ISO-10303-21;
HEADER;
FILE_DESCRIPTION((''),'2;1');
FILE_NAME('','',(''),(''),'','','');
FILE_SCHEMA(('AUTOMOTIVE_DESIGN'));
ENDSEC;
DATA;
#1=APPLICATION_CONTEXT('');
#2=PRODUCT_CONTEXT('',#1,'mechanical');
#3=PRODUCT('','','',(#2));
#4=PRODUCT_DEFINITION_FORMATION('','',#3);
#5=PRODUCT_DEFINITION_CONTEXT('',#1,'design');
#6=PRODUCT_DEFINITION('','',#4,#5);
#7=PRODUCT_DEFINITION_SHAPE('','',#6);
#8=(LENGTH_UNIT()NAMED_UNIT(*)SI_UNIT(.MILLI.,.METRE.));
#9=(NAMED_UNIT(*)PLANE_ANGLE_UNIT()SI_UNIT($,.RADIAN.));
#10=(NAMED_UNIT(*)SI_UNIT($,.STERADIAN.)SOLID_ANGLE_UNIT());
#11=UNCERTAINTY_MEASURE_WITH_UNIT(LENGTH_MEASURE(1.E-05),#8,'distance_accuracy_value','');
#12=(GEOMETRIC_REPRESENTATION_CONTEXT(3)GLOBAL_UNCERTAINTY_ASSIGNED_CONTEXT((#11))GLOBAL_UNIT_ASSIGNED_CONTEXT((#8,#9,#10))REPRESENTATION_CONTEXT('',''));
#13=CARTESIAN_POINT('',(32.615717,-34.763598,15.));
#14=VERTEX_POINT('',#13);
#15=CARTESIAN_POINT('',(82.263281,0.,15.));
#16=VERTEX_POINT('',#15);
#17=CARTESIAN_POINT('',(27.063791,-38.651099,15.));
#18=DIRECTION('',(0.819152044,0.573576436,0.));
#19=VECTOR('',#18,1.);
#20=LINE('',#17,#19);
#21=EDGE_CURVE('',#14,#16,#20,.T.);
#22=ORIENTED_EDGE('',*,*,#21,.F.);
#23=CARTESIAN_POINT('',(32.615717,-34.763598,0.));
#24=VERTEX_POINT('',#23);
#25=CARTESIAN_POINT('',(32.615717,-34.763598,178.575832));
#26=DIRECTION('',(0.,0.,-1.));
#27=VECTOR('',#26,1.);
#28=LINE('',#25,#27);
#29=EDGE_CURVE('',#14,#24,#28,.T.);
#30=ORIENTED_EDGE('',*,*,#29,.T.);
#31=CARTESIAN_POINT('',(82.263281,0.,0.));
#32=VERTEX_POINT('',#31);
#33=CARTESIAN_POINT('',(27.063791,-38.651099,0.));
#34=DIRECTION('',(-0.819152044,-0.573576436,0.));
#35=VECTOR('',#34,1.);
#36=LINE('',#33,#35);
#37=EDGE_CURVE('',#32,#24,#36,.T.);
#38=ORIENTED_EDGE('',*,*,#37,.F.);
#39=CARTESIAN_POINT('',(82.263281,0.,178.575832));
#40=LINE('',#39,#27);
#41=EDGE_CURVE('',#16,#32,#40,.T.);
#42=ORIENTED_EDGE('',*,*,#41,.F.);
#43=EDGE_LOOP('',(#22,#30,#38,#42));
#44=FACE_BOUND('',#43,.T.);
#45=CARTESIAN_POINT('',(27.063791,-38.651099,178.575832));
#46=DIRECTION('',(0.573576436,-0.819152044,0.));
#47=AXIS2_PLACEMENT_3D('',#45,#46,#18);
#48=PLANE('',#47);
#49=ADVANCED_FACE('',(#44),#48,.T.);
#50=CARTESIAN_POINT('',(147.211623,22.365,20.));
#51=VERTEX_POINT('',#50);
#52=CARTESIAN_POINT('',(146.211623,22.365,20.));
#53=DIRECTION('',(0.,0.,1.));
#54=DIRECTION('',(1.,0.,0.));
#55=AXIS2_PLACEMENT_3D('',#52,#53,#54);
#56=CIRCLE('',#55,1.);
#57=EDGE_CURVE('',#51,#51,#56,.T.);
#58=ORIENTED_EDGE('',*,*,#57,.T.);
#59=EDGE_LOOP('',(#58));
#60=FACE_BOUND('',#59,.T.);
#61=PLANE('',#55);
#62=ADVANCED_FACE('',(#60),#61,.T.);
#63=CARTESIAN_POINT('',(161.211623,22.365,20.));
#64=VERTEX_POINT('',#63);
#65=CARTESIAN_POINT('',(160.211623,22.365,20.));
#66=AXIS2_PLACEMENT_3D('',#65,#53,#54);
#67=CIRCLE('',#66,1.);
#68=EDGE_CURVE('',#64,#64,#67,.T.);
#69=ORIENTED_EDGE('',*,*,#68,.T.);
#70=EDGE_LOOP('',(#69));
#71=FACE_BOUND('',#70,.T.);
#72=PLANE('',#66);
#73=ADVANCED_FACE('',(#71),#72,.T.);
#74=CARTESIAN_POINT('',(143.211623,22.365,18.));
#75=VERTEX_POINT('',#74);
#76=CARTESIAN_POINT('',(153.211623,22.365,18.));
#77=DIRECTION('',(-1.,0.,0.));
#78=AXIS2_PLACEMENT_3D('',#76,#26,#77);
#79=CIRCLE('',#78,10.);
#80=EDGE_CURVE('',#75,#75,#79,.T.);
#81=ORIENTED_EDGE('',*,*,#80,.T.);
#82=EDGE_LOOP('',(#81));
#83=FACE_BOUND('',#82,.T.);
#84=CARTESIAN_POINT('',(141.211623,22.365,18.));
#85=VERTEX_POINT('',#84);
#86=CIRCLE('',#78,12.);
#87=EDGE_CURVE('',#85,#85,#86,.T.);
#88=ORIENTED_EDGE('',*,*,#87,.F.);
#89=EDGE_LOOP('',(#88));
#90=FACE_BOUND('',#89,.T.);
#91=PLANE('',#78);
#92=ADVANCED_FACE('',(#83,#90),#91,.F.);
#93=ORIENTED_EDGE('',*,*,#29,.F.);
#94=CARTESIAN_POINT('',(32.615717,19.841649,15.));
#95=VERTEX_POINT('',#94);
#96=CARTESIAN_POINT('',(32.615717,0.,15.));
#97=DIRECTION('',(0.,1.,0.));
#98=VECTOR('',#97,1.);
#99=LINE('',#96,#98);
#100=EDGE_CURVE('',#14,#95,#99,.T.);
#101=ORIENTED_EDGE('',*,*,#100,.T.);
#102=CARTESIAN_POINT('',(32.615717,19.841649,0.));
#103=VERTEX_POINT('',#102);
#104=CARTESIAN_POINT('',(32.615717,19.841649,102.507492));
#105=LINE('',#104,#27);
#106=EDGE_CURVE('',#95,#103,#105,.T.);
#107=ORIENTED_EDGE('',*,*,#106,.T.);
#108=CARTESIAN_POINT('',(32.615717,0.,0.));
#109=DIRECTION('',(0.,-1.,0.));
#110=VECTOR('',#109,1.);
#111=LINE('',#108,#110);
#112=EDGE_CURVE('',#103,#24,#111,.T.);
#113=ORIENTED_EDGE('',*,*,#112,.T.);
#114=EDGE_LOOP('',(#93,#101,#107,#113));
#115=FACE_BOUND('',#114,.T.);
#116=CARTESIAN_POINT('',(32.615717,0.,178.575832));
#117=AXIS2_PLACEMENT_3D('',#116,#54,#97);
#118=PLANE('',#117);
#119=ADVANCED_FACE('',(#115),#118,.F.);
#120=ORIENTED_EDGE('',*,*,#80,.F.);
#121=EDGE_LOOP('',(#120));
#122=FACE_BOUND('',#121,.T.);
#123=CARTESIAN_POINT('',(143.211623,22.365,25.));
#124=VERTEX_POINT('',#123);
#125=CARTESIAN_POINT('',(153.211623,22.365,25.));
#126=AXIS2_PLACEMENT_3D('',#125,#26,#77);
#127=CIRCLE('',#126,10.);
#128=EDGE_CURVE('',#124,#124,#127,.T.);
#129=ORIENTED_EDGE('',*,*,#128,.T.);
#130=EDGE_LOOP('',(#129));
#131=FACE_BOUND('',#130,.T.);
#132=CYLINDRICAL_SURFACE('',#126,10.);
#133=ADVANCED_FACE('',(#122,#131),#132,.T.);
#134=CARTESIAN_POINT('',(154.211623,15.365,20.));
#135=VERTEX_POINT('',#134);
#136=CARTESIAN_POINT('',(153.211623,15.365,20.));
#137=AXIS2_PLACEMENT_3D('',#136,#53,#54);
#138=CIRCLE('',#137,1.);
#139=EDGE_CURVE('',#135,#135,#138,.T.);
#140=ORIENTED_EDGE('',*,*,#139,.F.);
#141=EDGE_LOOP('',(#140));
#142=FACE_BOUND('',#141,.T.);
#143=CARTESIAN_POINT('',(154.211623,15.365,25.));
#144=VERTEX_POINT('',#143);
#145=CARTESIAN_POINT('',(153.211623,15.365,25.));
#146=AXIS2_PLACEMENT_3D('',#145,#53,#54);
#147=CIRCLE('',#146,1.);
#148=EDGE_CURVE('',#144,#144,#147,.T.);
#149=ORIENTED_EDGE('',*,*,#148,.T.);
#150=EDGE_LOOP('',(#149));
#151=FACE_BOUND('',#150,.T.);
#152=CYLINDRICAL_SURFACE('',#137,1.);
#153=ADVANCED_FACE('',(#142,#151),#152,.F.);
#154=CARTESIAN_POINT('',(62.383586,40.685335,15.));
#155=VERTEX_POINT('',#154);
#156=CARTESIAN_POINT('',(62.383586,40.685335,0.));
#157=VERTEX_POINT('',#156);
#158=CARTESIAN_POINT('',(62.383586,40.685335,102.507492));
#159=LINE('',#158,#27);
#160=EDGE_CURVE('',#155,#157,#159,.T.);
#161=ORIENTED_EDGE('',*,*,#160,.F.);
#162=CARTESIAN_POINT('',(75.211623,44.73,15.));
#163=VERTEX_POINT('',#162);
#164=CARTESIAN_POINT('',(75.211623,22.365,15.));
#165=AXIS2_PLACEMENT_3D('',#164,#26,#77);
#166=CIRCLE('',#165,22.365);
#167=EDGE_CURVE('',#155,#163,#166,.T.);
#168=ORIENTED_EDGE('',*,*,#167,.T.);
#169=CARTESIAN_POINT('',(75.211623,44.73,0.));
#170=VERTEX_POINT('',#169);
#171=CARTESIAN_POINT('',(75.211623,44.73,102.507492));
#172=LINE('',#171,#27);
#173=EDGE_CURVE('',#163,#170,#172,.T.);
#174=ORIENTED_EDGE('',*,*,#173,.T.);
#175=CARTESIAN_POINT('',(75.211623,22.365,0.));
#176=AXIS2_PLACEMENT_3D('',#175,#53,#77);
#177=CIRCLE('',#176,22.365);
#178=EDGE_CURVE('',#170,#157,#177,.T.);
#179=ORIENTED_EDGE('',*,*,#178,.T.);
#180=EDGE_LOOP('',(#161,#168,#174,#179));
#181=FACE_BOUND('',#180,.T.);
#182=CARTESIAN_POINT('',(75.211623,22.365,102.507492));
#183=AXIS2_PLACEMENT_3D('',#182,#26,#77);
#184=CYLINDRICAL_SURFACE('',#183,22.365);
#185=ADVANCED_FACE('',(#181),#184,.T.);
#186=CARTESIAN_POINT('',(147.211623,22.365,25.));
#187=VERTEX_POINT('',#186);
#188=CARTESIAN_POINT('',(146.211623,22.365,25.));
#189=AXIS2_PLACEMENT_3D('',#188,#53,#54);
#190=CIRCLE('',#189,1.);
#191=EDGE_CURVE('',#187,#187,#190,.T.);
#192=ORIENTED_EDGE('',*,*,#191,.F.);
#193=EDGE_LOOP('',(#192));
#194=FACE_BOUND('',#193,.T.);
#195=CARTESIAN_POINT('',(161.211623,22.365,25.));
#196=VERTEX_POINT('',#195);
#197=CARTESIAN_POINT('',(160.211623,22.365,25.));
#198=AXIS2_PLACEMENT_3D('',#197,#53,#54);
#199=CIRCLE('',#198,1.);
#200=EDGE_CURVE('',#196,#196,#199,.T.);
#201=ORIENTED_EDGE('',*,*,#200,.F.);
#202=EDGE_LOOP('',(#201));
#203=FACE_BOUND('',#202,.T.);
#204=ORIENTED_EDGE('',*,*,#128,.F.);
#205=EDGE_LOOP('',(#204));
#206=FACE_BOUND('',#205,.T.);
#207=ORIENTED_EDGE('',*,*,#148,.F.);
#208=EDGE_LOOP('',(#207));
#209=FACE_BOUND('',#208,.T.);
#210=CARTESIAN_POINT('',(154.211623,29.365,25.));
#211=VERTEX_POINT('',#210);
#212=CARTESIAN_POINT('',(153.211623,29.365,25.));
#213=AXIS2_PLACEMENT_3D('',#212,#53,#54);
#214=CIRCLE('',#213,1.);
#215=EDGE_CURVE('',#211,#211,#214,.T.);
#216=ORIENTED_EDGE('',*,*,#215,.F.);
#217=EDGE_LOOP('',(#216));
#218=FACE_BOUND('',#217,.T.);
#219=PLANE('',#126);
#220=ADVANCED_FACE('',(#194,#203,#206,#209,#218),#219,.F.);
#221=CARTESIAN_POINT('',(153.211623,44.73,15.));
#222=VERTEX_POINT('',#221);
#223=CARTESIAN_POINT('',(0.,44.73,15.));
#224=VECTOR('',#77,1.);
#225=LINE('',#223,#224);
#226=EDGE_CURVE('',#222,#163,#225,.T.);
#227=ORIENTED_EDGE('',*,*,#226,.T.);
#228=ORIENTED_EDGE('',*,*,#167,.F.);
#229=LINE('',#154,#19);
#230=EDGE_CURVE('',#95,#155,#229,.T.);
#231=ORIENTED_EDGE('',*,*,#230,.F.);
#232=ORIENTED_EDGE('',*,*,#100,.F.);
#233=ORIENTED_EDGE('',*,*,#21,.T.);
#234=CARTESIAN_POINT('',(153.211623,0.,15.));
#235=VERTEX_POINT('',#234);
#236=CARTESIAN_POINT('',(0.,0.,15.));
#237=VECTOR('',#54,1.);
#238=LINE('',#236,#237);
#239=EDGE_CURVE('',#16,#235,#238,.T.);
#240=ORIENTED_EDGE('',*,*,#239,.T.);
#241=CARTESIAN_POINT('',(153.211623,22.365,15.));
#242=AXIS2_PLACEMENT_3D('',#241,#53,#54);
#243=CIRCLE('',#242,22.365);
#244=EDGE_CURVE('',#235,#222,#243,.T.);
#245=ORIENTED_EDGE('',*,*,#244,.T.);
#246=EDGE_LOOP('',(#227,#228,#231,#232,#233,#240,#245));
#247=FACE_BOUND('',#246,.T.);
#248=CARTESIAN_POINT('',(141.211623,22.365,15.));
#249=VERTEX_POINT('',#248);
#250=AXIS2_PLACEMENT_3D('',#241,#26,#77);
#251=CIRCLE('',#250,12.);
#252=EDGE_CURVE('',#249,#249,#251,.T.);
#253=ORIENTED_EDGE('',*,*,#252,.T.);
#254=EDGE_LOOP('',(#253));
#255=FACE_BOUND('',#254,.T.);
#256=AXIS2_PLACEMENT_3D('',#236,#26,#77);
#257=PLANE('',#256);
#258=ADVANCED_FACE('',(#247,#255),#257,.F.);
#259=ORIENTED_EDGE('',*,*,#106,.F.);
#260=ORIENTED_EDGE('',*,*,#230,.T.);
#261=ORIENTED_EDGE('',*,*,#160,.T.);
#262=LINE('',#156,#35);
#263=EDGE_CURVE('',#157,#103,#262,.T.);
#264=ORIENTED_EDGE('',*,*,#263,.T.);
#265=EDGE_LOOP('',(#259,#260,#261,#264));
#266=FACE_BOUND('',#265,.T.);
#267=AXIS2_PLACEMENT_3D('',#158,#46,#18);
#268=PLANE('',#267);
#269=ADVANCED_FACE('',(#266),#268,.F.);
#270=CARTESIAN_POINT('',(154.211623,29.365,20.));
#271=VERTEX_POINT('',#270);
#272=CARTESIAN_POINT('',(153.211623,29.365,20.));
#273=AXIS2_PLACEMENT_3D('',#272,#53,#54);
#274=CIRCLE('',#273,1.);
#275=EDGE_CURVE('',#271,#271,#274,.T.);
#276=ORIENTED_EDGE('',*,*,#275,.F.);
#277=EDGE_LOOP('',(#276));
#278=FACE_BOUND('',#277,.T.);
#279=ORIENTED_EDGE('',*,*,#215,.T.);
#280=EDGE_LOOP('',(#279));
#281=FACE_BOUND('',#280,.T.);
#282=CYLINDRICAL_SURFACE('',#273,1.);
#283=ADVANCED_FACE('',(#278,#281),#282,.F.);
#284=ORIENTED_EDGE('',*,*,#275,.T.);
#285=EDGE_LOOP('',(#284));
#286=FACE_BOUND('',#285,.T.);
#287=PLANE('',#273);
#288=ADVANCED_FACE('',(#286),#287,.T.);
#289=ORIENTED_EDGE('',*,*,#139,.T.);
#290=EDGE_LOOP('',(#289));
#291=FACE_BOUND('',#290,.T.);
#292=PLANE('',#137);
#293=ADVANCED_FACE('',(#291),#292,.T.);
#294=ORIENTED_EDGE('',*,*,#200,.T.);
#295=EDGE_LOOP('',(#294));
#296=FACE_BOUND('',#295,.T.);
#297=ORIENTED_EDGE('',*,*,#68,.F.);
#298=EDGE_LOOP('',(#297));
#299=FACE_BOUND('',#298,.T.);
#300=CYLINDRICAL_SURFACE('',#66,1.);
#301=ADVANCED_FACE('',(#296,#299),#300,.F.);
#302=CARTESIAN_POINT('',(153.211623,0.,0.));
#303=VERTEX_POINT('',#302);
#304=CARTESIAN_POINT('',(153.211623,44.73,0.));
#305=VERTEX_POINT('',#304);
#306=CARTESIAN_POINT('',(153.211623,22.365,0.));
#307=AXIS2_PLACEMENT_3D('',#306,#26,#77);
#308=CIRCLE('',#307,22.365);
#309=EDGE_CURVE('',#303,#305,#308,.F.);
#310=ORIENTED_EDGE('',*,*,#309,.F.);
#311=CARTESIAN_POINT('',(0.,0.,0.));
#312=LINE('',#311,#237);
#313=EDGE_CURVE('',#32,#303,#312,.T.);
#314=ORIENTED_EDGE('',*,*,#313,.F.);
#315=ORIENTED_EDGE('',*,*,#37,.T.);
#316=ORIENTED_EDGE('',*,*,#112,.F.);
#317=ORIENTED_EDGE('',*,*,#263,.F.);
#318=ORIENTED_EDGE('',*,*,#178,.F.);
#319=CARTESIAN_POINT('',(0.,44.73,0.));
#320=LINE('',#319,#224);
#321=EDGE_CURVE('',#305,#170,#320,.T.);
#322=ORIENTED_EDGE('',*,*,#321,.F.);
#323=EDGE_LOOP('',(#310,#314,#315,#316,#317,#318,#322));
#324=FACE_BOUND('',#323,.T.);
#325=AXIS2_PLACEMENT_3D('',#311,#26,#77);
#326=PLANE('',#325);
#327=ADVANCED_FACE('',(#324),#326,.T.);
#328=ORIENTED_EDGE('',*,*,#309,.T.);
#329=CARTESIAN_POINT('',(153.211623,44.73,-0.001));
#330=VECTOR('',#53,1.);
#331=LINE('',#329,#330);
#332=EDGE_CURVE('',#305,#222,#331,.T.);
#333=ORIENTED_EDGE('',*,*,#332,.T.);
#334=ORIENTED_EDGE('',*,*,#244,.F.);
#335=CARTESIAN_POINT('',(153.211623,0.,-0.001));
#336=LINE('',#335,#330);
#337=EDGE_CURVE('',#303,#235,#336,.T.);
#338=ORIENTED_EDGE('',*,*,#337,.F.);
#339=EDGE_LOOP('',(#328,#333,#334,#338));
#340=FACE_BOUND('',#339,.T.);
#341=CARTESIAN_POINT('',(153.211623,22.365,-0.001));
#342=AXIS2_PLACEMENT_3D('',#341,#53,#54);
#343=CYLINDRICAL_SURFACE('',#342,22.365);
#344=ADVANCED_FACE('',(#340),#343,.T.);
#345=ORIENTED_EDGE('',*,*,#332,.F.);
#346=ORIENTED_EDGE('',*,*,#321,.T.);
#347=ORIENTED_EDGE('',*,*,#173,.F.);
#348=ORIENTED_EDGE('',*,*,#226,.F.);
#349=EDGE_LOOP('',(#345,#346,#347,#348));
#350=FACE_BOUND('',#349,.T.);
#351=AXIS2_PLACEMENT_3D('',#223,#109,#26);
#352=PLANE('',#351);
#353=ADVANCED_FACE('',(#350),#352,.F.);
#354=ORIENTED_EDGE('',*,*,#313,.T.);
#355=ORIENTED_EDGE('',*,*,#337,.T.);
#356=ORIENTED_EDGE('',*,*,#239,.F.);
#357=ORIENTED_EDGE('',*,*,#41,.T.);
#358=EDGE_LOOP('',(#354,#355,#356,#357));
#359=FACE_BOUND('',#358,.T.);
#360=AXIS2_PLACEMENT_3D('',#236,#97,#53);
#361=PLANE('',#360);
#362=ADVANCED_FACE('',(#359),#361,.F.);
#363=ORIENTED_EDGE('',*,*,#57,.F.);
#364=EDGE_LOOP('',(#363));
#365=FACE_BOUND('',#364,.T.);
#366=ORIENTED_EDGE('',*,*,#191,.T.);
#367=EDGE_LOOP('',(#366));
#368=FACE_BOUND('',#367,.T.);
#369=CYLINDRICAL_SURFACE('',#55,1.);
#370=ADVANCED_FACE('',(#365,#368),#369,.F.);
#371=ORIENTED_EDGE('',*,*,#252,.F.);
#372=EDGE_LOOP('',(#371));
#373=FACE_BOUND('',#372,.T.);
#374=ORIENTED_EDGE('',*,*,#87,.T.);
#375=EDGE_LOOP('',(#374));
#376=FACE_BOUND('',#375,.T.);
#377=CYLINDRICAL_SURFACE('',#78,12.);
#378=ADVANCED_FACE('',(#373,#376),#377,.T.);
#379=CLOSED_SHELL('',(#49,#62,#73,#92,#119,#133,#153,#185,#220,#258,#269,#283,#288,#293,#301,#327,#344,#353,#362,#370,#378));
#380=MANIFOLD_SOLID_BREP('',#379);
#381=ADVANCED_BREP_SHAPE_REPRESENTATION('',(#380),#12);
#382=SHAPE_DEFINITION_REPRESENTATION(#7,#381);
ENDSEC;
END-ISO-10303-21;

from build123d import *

# Parameters (mm, degrees)
SKETCH_1_W          = 300
SKETCH_1_H          = 44.73
EXTRUDE_1_DEPTH     = 15
CUT_EXTRUDE_4_REACH = 305.687
EXTRUDE_START       = -15
SKETCH_6_R          = 10
EXTRUDE_2_DEPTH     = 10
SKETCH_7_R          = 1
CUT_EXTRUDE_6_DEPTH = 5
EXTRUDE_5_DEPTH     = 15
CUT_EXTRUDE_7_DEPTH = 15
SKETCH_11_R         = 12
SKETCH_11_R_2       = 10
EXTRUDE_6_DEPTH     = 3


with BuildPart() as part:
    # 草图1 → 凸台-拉伸1 (new body)
    with BuildSketch(Plane.XY):
        with Locations((150, 22.365)):
            Rectangle(SKETCH_1_W, SKETCH_1_H)
    extrude(amount=EXTRUDE_1_DEPTH)

    # 草图4 → 切除-拉伸4 (cut, up to next)
    with BuildSketch(Plane.XY.offset(15), mode=Mode.PRIVATE) as cut_extrude_4_sk1:
        with BuildLine():
            Line((300, 44.73), (153.211623388, 44.73))
            ThreePointArc((153.211623388, 44.73), (175.576623388, 22.365), (153.211623388, 0))
            Line((153.211623388, 0), (300, 0))
            Line((300, 0), (300, 44.73))
        make_face()
    cut_extrude_4_tool1 = extrude(cut_extrude_4_sk1.sketch, amount=-CUT_EXTRUDE_4_REACH, mode=Mode.PRIVATE) & part.part
    add(cut_extrude_4_tool1.solids().sort_by_distance((235.292113, 22.365, 15))[0], mode=Mode.SUBTRACT)

    # 草图6 → 凸台-拉伸2 (add)
    with BuildSketch(Plane(origin=(0, 0, 0), x_dir=(-1, 0, 0), z_dir=(0, 0, -1)).offset(EXTRUDE_START)):
        with Locations((-153.211623388, 22.365)):
            Circle(SKETCH_6_R)
    extrude(amount=-EXTRUDE_2_DEPTH)

    # 草图7 → 切除-拉伸6 (cut)
    with BuildSketch(Plane.XY.offset(25)):
        with Locations((153.211623388, 29.365)):
            Circle(SKETCH_7_R)
        with Locations((160.211623388, -284.058246776)):
            Circle(SKETCH_7_R)
        with Locations((-153.211623388, -291.058246776)):
            Circle(SKETCH_7_R)
        with Locations((-160.211623388, 22.365)):
            Circle(SKETCH_7_R)
        with Locations((160.211623388, 22.365)):
            Circle(SKETCH_7_R)
        with Locations((153.211623388, 15.365)):
            Circle(SKETCH_7_R)
        with Locations((146.211623388, 22.365)):
            Circle(SKETCH_7_R)
    extrude(amount=-CUT_EXTRUDE_6_DEPTH, mode=Mode.SUBTRACT)

    # 草图9 → 凸台-拉伸5 (add)
    with BuildSketch(Plane.XY):
        Polygon((32.615717085, -34.763598368), (82.263280801, 0), (32.615717085, 0), align=None)
    extrude(amount=EXTRUDE_5_DEPTH)

    # 草图10 → 切除-拉伸7 (cut)
    with BuildSketch(Plane(origin=(0, 0, 0), x_dir=(-1, 0, 0), z_dir=(0, 0, -1))):
        with BuildLine():
            Line((-32.615717085, 19.841648987), (-32.615717085, 0))
            Line((-32.615717085, 0), (0, 0))
            Line((0, 0), (0, 44.73))
            Line((0, 44.73), (-75.211623388, 44.73))
            ThreePointArc((-75.211623388, 44.73), (-68.486338182, 43.694879603), (-62.383586389, 40.685335471))
            Line((-62.383586389, 40.685335471), (-32.615717085, 19.841648987))
        make_face()
    extrude(amount=-CUT_EXTRUDE_7_DEPTH, mode=Mode.SUBTRACT)

    # 草图11 → 凸台-拉伸6 (add)
    with BuildSketch(Plane(origin=(0, 0, 0), x_dir=(-1, 0, 0), z_dir=(0, 0, -1)).offset(EXTRUDE_START)):
        with Locations((-153.211623388, 22.365)):
            Circle(SKETCH_11_R)
        with Locations((-153.211623388, 22.365)):
            Circle(SKETCH_11_R_2, mode=Mode.SUBTRACT)
    extrude(amount=-EXTRUDE_6_DEPTH)


solid = part.part
